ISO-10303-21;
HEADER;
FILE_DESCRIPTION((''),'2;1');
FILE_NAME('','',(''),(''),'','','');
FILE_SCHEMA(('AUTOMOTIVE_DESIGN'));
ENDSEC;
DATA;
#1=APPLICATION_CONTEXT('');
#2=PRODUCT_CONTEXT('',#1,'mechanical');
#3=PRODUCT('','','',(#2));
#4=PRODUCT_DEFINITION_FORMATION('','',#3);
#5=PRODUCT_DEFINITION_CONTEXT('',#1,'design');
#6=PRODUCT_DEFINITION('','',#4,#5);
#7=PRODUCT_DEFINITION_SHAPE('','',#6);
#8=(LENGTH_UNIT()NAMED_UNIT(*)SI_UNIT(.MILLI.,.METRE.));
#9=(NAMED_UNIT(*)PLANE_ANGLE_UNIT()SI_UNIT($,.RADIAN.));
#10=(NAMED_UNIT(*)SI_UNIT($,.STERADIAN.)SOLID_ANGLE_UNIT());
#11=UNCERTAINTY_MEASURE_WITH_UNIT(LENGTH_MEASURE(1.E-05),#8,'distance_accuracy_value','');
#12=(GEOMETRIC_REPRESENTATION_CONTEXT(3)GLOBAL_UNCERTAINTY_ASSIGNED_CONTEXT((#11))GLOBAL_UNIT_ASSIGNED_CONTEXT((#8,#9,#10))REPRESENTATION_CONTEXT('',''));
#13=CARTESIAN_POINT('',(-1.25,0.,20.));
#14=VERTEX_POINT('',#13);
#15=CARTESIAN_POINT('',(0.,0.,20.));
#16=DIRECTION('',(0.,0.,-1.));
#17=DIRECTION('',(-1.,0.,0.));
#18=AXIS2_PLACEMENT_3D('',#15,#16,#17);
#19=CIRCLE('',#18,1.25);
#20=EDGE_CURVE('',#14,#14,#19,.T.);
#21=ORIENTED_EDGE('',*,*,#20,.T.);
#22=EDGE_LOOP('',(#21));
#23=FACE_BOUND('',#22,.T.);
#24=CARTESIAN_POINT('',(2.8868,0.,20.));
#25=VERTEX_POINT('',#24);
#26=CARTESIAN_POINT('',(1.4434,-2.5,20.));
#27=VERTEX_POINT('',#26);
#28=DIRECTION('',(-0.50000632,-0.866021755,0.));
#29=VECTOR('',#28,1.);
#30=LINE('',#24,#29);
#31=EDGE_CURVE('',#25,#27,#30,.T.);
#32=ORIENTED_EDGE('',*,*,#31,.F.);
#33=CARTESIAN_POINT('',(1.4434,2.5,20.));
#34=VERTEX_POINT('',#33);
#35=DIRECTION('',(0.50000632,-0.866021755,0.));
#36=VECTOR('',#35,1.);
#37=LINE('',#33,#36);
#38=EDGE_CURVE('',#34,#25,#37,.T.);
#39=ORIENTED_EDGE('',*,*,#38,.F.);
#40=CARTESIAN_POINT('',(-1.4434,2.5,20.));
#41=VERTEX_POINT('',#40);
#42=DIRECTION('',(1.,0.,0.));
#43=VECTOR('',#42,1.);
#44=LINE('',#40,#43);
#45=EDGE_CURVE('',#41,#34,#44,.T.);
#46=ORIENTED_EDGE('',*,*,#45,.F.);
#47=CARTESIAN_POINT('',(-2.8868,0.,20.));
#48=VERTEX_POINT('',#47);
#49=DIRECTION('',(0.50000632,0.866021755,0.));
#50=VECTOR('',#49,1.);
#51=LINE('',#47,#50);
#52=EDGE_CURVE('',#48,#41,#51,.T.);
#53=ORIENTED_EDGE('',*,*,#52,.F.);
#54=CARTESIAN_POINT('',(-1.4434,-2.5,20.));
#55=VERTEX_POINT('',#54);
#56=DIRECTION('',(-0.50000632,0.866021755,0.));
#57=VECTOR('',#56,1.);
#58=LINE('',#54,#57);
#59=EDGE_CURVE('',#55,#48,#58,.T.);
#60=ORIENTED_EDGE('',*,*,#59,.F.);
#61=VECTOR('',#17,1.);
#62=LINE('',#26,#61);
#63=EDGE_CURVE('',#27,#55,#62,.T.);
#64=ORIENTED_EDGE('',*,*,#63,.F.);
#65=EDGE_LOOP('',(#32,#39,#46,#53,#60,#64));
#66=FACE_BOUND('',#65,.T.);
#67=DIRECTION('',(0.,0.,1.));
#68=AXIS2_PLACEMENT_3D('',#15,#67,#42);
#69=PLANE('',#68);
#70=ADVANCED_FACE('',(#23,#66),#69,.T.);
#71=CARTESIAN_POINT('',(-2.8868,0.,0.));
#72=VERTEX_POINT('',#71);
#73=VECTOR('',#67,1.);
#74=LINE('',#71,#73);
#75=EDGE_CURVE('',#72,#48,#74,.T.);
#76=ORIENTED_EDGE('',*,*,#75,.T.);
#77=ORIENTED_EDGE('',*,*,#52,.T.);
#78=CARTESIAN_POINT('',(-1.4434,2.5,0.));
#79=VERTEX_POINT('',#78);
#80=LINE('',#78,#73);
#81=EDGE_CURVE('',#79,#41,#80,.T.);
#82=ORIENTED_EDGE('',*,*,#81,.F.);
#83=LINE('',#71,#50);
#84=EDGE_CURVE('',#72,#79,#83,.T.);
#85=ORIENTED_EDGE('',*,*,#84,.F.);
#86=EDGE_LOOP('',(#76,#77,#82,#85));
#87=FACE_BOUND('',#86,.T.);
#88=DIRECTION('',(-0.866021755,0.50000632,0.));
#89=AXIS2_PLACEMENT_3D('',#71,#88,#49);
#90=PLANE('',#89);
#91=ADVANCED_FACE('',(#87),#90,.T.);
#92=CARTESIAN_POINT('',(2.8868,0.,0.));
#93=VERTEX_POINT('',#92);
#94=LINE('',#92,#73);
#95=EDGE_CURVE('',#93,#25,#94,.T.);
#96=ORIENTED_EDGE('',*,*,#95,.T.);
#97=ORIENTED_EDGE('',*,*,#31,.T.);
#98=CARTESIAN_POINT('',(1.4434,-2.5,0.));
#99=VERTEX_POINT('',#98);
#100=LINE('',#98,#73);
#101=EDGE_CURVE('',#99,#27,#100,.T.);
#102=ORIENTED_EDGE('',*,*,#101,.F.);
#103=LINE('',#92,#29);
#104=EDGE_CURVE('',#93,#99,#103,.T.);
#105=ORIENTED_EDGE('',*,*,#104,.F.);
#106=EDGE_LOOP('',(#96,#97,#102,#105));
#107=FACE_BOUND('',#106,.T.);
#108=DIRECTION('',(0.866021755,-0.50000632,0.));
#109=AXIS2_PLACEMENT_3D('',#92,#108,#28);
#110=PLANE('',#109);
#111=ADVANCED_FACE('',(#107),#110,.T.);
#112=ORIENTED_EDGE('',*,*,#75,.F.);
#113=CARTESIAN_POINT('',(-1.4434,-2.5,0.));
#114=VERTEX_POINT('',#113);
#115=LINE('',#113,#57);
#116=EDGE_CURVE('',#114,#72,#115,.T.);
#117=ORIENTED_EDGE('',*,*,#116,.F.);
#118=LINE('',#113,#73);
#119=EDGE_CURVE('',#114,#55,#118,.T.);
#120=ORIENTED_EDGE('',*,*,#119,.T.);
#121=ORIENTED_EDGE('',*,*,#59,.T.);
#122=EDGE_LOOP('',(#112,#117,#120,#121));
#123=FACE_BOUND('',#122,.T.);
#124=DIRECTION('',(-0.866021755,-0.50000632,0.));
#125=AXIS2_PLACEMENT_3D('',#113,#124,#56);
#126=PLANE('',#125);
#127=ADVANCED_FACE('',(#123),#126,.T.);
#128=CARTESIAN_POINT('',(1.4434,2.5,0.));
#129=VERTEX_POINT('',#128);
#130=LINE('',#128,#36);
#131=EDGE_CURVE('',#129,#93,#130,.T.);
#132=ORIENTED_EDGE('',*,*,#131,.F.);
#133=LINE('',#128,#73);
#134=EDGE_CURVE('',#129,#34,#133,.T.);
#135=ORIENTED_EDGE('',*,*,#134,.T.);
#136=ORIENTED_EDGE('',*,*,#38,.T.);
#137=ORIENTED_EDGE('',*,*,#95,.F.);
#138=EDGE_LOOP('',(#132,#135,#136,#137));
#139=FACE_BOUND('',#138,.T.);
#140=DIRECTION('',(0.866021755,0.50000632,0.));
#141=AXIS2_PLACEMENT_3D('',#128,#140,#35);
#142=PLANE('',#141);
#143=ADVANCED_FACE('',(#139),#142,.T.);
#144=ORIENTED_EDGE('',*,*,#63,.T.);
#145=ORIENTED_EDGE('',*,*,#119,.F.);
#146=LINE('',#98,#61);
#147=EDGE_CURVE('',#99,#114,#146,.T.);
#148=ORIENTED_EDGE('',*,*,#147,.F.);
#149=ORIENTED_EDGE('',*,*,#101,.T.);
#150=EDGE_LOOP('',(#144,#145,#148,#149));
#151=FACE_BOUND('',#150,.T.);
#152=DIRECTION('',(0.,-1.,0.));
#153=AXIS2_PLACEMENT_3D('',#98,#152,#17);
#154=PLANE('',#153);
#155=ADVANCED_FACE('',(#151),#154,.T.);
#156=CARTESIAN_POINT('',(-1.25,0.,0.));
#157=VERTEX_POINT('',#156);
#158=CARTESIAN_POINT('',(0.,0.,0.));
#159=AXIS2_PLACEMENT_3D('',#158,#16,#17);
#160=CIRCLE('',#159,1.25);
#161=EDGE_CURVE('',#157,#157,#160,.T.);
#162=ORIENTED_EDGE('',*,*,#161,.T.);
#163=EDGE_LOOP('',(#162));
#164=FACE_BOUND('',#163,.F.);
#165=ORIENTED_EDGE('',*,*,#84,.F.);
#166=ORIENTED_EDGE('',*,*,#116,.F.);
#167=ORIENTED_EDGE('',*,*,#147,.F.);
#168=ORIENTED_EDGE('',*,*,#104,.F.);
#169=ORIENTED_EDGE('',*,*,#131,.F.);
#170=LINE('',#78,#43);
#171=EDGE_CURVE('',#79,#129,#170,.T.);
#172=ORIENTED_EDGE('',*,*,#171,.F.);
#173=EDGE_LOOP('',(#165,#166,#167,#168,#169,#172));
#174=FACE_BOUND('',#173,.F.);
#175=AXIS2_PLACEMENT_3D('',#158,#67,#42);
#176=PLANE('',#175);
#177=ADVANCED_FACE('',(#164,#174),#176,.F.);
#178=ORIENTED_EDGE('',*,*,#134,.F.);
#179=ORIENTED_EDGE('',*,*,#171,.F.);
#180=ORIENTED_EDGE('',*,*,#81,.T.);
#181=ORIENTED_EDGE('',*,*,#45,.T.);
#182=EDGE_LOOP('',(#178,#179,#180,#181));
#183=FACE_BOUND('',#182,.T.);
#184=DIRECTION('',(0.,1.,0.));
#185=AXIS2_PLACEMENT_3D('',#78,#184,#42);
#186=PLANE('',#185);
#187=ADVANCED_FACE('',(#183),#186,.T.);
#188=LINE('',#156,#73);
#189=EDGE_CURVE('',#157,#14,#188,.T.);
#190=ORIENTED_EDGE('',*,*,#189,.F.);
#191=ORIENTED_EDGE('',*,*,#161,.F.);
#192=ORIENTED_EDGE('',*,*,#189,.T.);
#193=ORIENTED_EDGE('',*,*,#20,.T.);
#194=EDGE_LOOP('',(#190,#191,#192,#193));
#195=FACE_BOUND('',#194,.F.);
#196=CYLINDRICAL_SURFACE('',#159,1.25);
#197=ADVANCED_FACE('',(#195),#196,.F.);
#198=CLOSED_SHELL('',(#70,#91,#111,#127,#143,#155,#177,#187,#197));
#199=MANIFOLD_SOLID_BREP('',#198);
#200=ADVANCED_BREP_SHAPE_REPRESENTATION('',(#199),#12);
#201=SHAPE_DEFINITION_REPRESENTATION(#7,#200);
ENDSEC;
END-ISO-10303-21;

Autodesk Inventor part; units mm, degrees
ref_plane "YZ Plane" through (0, 0, 0) normal (1, 0, 0) x (0, 1, 0)
ref_plane "XZ Plane" through (0, 0, 0) normal (0, 1, 0) x (-1, 0, 0)
ref_plane "XY Plane" through (0, 0, 0) normal (0, 0, 1) x (1, 0, 0)
sketch "Sketch1" plane through (0, 0, 0) normal (0, 0, 1) x (1, 0, 0)
  line L0 (2.8868, 0) -> (1.4434, -2.5)
  line L1 (1.4434, -2.5) -> (-1.4434, -2.5)
  line L2 (-1.4434, -2.5) -> (-2.8868, 0)
  line L3 (-2.8868, 0) -> (-1.4434, 2.5)
  line L4 (-1.4434, 2.5) -> (1.4434, 2.5)
  line L5 (1.4434, 2.5) -> (2.8868, 0)
  point P0 (0, 0)
  point P1 (0, 0)
  dimension "d0" = 5
extrude "Extrusion1" add sketch "Sketch1" along normal blind 20
sketch "Sketch3" plane through (0, 0, 0) normal (0, 0, -1) x (-1, 0, 0)
  circle A0 centre (0, 0) radius 1.25
  dimension "d6" = 2.5
extrude "Extrusion3" cut sketch "Sketch3" against normal through all
properties part number "M2.5x12mm_Standoff_ 971120151"
